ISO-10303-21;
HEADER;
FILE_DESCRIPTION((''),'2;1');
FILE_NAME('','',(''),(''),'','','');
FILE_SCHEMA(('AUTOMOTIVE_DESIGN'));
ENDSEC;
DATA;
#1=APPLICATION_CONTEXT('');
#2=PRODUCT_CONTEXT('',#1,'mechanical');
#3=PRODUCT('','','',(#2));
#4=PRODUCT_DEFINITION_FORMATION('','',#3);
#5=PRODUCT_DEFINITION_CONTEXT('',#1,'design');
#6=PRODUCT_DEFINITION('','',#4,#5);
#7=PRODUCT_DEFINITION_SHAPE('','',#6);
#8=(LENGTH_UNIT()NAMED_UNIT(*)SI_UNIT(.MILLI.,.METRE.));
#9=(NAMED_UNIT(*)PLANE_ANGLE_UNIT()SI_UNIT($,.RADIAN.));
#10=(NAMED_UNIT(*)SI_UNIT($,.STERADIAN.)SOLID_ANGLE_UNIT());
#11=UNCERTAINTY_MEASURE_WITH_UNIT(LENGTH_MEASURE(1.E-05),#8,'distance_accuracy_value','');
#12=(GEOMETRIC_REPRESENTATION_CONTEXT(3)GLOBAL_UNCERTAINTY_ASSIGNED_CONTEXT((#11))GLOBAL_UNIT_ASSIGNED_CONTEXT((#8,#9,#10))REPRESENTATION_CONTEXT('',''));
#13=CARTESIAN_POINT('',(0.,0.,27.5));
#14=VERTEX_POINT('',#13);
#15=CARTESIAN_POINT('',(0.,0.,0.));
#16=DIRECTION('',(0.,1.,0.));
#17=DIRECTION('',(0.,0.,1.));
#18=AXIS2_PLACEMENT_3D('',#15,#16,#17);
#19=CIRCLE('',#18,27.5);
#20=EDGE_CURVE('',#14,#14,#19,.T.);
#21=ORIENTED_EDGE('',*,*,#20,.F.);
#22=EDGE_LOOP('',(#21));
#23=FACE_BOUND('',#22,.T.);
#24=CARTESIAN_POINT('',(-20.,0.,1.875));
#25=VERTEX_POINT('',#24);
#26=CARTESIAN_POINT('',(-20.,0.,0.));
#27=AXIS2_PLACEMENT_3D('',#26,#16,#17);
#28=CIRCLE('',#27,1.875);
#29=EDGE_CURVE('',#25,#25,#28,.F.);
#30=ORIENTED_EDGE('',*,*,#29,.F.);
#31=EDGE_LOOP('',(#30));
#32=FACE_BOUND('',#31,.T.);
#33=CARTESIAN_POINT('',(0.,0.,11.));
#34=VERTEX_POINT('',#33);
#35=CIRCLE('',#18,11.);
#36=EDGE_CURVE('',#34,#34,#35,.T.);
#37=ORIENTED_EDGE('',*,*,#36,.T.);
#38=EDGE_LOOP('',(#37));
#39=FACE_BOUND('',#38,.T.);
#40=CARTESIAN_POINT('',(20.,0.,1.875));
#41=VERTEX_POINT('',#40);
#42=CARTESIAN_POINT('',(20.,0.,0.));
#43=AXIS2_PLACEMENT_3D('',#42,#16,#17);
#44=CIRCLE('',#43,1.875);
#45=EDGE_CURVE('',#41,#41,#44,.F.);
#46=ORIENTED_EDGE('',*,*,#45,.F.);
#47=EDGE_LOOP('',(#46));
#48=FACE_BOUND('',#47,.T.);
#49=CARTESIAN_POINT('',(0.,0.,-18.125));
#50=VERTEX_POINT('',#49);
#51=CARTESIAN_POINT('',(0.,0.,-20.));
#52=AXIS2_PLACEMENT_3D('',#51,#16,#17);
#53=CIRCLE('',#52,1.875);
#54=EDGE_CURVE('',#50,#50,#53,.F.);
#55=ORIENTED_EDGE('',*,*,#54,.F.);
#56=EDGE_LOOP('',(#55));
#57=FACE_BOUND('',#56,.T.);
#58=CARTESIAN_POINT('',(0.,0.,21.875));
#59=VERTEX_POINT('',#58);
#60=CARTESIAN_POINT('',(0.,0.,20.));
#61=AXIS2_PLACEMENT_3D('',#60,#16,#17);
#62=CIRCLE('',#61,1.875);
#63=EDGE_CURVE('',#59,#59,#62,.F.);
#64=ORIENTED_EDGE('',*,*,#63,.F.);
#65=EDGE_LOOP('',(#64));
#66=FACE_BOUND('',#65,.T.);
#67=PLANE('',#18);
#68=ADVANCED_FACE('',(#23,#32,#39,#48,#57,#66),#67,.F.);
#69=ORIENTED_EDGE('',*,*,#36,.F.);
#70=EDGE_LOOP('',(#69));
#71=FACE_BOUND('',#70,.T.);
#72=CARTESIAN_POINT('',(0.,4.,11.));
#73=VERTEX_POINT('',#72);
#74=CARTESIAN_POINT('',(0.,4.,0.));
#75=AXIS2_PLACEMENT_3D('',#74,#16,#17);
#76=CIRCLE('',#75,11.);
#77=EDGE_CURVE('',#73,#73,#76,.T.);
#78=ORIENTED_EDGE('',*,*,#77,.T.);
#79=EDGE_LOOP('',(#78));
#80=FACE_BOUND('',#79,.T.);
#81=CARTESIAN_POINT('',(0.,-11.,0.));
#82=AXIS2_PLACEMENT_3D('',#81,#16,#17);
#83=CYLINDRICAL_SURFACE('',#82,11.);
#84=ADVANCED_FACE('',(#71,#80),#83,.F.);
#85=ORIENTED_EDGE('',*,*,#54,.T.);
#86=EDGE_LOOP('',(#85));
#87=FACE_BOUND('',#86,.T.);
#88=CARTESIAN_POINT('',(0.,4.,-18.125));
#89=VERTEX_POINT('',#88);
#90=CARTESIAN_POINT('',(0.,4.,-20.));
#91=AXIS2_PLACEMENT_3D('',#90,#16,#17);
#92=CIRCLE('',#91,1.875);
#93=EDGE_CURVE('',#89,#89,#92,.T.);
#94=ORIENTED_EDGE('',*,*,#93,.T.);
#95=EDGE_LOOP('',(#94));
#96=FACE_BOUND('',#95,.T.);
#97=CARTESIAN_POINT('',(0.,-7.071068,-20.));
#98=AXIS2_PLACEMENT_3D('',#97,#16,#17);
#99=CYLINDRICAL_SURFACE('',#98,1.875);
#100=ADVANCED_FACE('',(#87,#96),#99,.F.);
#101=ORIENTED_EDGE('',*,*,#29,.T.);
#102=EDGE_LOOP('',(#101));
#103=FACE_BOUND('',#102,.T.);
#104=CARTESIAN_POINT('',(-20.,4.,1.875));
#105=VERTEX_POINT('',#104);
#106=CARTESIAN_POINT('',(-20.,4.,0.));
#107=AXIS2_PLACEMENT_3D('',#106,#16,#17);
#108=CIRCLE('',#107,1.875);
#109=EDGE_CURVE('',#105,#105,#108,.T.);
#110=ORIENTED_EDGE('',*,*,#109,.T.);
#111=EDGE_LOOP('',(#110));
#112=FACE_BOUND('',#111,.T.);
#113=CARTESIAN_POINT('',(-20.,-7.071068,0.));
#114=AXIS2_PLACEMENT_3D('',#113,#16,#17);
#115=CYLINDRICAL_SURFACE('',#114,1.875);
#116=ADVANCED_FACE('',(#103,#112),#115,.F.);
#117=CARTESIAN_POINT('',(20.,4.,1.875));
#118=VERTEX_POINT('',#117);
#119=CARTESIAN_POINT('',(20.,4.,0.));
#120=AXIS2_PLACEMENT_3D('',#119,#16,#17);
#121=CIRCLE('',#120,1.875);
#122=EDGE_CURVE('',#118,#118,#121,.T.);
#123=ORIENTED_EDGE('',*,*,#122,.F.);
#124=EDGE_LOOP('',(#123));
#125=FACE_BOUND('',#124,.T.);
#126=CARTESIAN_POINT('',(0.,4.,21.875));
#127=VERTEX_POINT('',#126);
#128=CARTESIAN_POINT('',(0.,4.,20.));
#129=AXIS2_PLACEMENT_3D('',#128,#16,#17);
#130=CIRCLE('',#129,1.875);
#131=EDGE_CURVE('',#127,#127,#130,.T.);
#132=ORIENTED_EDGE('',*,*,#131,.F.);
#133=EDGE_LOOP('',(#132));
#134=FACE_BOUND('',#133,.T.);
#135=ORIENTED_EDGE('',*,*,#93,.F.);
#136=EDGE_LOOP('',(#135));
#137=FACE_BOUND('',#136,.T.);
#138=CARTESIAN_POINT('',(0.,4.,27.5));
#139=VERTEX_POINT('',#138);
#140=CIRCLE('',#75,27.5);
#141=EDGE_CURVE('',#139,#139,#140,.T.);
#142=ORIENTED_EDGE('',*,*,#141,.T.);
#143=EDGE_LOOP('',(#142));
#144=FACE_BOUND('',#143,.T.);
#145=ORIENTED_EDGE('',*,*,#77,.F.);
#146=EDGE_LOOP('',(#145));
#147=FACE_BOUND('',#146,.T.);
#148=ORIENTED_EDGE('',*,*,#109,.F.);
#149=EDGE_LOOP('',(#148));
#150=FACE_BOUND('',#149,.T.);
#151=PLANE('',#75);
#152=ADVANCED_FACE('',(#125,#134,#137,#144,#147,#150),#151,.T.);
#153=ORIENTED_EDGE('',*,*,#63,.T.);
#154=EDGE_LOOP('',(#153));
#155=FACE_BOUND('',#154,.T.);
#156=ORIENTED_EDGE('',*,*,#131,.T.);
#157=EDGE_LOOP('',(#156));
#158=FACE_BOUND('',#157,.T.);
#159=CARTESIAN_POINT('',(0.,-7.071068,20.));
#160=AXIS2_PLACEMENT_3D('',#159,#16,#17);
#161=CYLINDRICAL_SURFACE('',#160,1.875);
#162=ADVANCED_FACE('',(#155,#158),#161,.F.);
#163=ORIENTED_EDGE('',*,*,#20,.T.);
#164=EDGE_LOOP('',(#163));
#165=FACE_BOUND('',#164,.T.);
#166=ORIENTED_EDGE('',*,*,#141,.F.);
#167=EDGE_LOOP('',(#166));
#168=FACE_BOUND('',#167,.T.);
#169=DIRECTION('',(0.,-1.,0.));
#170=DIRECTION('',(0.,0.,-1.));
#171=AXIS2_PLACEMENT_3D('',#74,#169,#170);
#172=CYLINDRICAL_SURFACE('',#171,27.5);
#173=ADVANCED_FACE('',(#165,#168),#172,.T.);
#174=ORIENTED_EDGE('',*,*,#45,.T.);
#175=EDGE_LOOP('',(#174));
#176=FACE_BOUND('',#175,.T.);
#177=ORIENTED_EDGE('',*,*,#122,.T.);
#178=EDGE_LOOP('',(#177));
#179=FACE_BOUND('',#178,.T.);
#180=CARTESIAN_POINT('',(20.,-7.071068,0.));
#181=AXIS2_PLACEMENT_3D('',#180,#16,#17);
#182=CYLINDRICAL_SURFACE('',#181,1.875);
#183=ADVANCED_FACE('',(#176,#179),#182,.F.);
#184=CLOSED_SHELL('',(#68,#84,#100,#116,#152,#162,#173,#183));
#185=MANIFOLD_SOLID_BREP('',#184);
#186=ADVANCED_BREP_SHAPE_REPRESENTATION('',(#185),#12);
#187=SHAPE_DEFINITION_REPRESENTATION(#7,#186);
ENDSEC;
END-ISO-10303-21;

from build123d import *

# Parameters (mm, degrees)
SKETCH1_R           = 27.5
SKETCH1_R_2         = 2.5
BOSS_EXTRUDE1_DEPTH = 4
SKETCH2_R           = 11
CUT_EXTRUDE1_DEPTH  = 15
BOSS_EXTRUDE3_START = -4
SKETCH3_R           = 2.5
SKETCH3_R_2         = 1.875
BOSS_EXTRUDE3_DEPTH = 4


with BuildPart() as part:
    # Sketch1 → Boss-Extrude1 (new body)
    with BuildSketch(Plane(origin=(0, 0, 0), x_dir=(1, 0, 0), z_dir=(0, 1, 0))):
        with Locations(Location((0, 0, 0), (0, 0, 270))):
            Circle(SKETCH1_R)
        with Locations(Location((0, 20, 0), (0, 0, 270))):
            Circle(SKETCH1_R_2, mode=Mode.SUBTRACT)
        with Locations(Location((-20, 0, 0), (0, 0, 270))):
            Circle(SKETCH1_R_2, mode=Mode.SUBTRACT)
        with Locations(Location((20, 0, 0), (0, 0, 270))):
            Circle(SKETCH1_R_2, mode=Mode.SUBTRACT)
        with Locations(Location((0, -20, 0), (0, 0, 270))):
            Circle(SKETCH1_R_2, mode=Mode.SUBTRACT)
    extrude(amount=BOSS_EXTRUDE1_DEPTH)

    # Sketch2 → Cut-Extrude1 (cut)
    with BuildSketch(Plane(origin=(0, 4, 0), x_dir=(1, 0, 0), z_dir=(0, 1, 0))):
        with Locations(Location((0, 0, 0), (0, 0, 270))):
            Circle(SKETCH2_R)
    extrude(amount=-CUT_EXTRUDE1_DEPTH, mode=Mode.SUBTRACT)

    # Sketch3 → Boss-Extrude3 (add)
    # profile 1 of 4: a face of its own
    with BuildSketch(Plane(origin=(0, 4, 0), x_dir=(1, 0, 0), z_dir=(0, 1, 0)).offset(BOSS_EXTRUDE3_START)):
        with Locations((0, -20)):
            Circle(SKETCH3_R)
        with Locations(Location((0, -20, 0), (0, 0, 270))):
            Circle(SKETCH3_R_2, mode=Mode.SUBTRACT)
    # profile 2 of 4: a face of its own
    with BuildSketch(Plane(origin=(0, 4, 0), x_dir=(1, 0, 0), z_dir=(0, 1, 0)).offset(BOSS_EXTRUDE3_START)):
        with Locations((20, 0)):
            Circle(SKETCH3_R)
        with Locations(Location((20, 0, 0), (0, 0, 270))):
            Circle(SKETCH3_R_2, mode=Mode.SUBTRACT)
    # profile 3 of 4: a face of its own
    with BuildSketch(Plane(origin=(0, 4, 0), x_dir=(1, 0, 0), z_dir=(0, 1, 0)).offset(BOSS_EXTRUDE3_START)):
        with Locations((0, 20)):
            Circle(SKETCH3_R)
        with Locations(Location((0, 20, 0), (0, 0, 270))):
            Circle(SKETCH3_R_2, mode=Mode.SUBTRACT)
    # profile 4 of 4: a face of its own
    with BuildSketch(Plane(origin=(0, 4, 0), x_dir=(1, 0, 0), z_dir=(0, 1, 0)).offset(BOSS_EXTRUDE3_START)):
        with Locations((-20, 0)):
            Circle(SKETCH3_R)
        with Locations(Location((-20, 0, 0), (0, 0, 270))):
            Circle(SKETCH3_R_2, mode=Mode.SUBTRACT)
    extrude(amount=BOSS_EXTRUDE3_DEPTH)


solid = part.part
